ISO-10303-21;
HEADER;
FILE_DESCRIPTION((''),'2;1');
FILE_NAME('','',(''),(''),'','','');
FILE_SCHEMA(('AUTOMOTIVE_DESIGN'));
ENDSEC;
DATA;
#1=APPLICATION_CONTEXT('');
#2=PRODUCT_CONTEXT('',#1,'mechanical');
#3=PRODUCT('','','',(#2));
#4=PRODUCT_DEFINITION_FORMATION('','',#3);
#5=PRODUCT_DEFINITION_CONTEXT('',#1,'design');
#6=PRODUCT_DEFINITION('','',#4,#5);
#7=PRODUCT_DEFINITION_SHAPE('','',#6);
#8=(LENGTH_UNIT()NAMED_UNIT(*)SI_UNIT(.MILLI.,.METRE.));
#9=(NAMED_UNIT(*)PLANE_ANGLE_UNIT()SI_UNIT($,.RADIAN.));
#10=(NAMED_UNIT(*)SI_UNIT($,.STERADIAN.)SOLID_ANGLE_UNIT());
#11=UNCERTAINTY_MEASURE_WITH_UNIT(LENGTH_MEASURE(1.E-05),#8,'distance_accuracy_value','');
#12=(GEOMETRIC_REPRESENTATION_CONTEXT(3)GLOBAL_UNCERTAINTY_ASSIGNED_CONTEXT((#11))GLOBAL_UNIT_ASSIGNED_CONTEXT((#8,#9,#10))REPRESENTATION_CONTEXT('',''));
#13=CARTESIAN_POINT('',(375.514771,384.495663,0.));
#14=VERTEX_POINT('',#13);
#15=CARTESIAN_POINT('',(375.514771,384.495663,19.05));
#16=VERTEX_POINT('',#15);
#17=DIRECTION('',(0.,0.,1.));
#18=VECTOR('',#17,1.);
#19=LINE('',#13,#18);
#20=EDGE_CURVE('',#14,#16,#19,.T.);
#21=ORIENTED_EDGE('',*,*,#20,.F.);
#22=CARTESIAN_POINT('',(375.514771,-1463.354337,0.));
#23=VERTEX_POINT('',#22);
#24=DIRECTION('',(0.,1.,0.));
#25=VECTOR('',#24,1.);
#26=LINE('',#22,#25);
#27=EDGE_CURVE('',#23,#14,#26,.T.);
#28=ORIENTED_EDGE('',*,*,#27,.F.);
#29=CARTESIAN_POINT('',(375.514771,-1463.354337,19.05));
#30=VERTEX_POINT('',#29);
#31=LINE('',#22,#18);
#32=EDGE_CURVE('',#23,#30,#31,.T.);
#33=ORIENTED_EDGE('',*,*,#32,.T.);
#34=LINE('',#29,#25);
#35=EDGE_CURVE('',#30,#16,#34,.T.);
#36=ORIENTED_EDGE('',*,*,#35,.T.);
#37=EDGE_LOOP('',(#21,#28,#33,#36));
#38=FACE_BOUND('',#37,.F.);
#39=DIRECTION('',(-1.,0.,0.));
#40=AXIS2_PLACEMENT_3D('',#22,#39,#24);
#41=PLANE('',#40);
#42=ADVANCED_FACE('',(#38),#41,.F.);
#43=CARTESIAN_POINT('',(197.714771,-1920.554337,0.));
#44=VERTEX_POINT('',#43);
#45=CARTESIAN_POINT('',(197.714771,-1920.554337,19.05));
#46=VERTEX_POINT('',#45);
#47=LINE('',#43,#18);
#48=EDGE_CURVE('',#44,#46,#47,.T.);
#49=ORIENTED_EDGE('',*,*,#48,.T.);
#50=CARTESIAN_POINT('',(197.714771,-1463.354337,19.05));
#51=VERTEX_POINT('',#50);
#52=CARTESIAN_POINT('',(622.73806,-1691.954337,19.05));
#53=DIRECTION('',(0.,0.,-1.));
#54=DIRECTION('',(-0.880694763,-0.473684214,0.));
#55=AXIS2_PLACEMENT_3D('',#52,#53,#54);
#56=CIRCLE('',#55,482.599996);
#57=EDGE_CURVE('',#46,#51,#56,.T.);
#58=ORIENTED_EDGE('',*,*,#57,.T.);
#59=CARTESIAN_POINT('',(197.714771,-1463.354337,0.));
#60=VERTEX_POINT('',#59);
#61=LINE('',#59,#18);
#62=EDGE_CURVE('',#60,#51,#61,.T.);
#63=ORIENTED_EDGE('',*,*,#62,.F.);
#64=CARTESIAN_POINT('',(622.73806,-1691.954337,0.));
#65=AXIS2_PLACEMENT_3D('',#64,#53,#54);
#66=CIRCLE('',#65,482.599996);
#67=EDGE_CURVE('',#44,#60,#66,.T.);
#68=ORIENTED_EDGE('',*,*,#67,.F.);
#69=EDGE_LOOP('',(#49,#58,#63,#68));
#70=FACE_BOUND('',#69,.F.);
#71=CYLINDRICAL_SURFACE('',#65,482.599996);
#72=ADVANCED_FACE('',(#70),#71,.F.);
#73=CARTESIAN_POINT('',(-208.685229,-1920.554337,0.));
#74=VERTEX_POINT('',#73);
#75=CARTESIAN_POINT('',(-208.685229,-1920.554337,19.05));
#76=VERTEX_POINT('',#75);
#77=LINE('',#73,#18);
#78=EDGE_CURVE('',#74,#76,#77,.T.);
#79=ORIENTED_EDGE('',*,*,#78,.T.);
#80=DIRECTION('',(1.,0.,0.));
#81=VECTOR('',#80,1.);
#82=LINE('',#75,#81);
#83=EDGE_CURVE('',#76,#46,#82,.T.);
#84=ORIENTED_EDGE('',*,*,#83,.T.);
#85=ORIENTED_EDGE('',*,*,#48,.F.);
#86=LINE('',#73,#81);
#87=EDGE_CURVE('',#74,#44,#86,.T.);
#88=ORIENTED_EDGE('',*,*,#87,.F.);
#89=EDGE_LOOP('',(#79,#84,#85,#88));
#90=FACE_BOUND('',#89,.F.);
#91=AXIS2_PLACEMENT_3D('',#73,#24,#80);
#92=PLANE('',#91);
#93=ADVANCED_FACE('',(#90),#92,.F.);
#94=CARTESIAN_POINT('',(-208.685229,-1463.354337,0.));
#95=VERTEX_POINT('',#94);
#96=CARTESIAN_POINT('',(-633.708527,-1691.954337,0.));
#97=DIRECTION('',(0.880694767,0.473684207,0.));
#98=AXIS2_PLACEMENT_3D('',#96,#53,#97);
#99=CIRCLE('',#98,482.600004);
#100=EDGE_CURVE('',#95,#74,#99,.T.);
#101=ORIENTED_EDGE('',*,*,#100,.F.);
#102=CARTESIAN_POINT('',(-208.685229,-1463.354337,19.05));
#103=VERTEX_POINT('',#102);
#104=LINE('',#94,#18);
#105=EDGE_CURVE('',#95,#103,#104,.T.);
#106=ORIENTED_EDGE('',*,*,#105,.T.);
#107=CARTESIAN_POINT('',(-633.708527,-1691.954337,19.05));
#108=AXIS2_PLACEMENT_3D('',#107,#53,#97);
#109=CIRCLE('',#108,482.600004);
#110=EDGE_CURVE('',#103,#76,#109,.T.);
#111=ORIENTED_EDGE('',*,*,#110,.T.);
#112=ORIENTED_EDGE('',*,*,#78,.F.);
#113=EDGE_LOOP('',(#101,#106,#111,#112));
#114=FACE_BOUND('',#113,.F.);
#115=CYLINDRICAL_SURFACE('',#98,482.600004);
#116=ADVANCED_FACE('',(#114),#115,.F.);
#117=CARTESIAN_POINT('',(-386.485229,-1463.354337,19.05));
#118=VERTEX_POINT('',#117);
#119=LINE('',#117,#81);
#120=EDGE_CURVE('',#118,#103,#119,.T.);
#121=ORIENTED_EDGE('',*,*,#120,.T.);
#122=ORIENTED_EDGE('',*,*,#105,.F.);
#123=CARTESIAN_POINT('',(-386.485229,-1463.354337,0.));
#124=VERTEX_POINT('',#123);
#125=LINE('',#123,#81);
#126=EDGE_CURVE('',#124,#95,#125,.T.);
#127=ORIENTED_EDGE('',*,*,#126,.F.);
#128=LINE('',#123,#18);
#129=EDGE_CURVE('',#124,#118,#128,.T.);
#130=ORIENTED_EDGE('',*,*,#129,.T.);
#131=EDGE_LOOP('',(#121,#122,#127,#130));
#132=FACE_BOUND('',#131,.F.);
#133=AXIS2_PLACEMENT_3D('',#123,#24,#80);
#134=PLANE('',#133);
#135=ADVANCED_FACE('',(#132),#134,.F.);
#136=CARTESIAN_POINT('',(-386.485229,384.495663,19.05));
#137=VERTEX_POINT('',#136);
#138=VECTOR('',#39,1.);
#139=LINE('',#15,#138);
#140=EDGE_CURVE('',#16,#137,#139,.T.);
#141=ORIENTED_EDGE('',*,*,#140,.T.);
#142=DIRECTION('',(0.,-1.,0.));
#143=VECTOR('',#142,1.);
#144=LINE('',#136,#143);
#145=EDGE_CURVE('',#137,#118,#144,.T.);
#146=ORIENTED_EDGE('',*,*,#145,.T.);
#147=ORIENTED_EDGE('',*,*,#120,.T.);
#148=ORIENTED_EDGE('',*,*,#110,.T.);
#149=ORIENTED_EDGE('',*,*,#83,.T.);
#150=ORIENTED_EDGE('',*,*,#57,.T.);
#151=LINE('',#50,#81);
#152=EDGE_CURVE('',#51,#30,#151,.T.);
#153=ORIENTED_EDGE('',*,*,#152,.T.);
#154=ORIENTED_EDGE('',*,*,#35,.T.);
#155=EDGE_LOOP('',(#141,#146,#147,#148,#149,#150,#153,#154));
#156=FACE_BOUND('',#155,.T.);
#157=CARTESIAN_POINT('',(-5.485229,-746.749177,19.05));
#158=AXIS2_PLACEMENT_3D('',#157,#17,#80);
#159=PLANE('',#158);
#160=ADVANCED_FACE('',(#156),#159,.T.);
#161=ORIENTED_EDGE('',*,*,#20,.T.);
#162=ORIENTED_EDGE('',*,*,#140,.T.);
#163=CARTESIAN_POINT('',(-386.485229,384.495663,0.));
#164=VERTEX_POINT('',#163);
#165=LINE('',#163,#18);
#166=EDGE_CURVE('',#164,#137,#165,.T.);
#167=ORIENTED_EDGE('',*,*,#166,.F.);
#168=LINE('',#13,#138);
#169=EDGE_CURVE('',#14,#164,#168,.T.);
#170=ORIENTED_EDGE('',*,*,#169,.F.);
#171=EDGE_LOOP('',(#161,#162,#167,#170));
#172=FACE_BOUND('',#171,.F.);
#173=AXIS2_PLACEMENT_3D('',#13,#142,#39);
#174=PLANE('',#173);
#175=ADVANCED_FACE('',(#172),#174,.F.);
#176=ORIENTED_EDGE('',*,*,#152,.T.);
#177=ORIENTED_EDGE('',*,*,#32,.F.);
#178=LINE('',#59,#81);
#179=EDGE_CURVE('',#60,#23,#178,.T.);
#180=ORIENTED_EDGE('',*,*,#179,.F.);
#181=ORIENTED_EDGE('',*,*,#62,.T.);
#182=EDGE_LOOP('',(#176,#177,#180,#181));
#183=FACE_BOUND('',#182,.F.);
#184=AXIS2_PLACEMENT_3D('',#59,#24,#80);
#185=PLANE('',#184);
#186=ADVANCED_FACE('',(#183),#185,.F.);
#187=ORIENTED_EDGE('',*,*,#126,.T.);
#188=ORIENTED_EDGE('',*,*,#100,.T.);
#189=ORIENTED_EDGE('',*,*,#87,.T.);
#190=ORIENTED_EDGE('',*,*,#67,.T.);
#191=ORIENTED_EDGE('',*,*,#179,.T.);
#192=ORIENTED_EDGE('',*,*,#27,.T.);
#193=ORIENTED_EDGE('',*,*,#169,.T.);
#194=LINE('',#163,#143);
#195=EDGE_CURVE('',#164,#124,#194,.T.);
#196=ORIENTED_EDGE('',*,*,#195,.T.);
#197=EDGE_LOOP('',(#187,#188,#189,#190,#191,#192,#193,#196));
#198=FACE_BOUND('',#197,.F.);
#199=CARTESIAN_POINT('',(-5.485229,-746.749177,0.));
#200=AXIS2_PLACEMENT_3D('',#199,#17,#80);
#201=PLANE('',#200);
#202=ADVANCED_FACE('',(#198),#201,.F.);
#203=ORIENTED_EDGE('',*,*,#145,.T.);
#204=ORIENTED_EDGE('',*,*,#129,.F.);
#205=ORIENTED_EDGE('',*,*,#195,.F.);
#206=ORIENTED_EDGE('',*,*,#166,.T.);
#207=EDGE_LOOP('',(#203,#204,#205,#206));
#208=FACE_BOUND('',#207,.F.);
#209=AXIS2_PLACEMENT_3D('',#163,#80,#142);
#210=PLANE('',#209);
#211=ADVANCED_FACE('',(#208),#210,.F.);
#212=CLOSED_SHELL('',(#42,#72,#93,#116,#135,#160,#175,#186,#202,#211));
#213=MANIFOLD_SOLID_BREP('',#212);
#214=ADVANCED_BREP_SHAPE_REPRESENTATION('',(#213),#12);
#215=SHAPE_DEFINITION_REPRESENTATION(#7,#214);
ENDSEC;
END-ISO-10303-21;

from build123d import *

# Parameters (mm, degrees)
F1_DEPTH = 19.05


with BuildPart() as f1:
    # F0 (on Top) → F1 (new body)
    with BuildSketch(Plane.XY):
        with BuildLine():
            ThreePointArc((-208.685229, -1463.354337), (-151.108523, -1691.954337), (-208.685229, -1920.554337))
            Line((-208.685229, -1920.554337), (197.714771, -1920.554337))
            ThreePointArc((197.714771, -1920.554337), (140.138064, -1691.954337), (197.714771, -1463.354337))
            Line((197.714771, -1463.354337), (375.514771, -1463.354337))
            Line((375.514771, -1463.354337), (375.514771, 384.495663))
            Line((375.514771, 384.495663), (-386.485229, 384.495663))
            Line((-386.485229, 384.495663), (-386.485229, -1463.354337))
            Line((-386.485229, -1463.354337), (-208.685229, -1463.354337))
        make_face()
    extrude(amount=F1_DEPTH)


solid = f1.part
